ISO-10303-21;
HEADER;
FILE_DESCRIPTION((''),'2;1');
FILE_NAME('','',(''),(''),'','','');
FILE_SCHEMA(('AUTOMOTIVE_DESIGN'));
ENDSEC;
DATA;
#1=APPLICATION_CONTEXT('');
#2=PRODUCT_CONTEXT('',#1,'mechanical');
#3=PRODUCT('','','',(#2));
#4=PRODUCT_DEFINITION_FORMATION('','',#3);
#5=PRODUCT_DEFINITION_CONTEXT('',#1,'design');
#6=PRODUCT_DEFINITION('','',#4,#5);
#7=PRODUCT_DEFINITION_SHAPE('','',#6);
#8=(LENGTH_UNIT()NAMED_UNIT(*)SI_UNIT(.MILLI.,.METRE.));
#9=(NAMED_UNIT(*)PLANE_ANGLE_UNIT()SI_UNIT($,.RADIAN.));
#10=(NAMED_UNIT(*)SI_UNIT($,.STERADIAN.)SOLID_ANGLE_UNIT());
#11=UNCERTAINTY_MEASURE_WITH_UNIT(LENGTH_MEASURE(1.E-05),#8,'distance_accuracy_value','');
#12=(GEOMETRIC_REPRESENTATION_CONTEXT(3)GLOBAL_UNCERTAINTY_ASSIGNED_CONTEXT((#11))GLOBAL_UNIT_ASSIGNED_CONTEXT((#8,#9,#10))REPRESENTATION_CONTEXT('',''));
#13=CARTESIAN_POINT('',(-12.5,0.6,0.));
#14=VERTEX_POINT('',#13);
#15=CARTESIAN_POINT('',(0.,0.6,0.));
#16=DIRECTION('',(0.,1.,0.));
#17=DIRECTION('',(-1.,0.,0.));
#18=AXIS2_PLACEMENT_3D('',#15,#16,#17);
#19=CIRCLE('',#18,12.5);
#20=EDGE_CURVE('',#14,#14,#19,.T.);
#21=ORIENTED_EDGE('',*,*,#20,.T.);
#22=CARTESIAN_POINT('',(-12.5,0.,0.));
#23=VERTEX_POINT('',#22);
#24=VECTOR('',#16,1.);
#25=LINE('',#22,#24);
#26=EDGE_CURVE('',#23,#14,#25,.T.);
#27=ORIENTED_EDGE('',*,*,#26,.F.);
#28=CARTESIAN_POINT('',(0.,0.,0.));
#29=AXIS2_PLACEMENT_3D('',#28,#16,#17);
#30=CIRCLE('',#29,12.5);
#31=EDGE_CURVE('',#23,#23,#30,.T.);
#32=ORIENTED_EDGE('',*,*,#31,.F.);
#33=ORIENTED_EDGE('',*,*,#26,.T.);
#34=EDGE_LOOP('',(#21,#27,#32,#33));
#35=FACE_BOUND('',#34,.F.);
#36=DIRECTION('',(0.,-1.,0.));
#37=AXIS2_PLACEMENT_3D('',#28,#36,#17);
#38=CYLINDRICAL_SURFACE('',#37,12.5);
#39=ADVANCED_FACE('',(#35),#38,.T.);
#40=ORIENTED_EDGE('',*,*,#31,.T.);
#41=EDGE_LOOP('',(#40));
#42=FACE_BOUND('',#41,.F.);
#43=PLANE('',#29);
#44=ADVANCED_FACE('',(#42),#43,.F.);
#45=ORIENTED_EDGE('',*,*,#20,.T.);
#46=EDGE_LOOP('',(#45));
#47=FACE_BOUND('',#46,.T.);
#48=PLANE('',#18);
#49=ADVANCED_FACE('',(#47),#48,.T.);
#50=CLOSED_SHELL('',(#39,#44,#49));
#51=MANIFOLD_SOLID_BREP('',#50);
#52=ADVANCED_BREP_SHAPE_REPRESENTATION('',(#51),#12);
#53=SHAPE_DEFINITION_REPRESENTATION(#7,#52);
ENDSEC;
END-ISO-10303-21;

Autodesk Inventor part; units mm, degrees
ref_plane "YZ Plane" through (0, 0, 0) normal (1, 0, 0) x (0, 1, 0)
ref_plane "XZ Plane" through (0, 0, 0) normal (0, 1, 0) x (-1, 0, 0)
ref_plane "XY Plane" through (0, 0, 0) normal (0, 0, 1) x (1, 0, 0)
sketch "Sketch1" plane through (0, 0, 0) normal (0, 1, 0) x (-1, 0, 0)
  circle A0 centre (0, 0) radius 12.5
  dimension "d0" = 25
extrude "Extrusion1" add sketch "Sketch1" along normal blind 0.6
properties part number "LargeHelperCircle"
